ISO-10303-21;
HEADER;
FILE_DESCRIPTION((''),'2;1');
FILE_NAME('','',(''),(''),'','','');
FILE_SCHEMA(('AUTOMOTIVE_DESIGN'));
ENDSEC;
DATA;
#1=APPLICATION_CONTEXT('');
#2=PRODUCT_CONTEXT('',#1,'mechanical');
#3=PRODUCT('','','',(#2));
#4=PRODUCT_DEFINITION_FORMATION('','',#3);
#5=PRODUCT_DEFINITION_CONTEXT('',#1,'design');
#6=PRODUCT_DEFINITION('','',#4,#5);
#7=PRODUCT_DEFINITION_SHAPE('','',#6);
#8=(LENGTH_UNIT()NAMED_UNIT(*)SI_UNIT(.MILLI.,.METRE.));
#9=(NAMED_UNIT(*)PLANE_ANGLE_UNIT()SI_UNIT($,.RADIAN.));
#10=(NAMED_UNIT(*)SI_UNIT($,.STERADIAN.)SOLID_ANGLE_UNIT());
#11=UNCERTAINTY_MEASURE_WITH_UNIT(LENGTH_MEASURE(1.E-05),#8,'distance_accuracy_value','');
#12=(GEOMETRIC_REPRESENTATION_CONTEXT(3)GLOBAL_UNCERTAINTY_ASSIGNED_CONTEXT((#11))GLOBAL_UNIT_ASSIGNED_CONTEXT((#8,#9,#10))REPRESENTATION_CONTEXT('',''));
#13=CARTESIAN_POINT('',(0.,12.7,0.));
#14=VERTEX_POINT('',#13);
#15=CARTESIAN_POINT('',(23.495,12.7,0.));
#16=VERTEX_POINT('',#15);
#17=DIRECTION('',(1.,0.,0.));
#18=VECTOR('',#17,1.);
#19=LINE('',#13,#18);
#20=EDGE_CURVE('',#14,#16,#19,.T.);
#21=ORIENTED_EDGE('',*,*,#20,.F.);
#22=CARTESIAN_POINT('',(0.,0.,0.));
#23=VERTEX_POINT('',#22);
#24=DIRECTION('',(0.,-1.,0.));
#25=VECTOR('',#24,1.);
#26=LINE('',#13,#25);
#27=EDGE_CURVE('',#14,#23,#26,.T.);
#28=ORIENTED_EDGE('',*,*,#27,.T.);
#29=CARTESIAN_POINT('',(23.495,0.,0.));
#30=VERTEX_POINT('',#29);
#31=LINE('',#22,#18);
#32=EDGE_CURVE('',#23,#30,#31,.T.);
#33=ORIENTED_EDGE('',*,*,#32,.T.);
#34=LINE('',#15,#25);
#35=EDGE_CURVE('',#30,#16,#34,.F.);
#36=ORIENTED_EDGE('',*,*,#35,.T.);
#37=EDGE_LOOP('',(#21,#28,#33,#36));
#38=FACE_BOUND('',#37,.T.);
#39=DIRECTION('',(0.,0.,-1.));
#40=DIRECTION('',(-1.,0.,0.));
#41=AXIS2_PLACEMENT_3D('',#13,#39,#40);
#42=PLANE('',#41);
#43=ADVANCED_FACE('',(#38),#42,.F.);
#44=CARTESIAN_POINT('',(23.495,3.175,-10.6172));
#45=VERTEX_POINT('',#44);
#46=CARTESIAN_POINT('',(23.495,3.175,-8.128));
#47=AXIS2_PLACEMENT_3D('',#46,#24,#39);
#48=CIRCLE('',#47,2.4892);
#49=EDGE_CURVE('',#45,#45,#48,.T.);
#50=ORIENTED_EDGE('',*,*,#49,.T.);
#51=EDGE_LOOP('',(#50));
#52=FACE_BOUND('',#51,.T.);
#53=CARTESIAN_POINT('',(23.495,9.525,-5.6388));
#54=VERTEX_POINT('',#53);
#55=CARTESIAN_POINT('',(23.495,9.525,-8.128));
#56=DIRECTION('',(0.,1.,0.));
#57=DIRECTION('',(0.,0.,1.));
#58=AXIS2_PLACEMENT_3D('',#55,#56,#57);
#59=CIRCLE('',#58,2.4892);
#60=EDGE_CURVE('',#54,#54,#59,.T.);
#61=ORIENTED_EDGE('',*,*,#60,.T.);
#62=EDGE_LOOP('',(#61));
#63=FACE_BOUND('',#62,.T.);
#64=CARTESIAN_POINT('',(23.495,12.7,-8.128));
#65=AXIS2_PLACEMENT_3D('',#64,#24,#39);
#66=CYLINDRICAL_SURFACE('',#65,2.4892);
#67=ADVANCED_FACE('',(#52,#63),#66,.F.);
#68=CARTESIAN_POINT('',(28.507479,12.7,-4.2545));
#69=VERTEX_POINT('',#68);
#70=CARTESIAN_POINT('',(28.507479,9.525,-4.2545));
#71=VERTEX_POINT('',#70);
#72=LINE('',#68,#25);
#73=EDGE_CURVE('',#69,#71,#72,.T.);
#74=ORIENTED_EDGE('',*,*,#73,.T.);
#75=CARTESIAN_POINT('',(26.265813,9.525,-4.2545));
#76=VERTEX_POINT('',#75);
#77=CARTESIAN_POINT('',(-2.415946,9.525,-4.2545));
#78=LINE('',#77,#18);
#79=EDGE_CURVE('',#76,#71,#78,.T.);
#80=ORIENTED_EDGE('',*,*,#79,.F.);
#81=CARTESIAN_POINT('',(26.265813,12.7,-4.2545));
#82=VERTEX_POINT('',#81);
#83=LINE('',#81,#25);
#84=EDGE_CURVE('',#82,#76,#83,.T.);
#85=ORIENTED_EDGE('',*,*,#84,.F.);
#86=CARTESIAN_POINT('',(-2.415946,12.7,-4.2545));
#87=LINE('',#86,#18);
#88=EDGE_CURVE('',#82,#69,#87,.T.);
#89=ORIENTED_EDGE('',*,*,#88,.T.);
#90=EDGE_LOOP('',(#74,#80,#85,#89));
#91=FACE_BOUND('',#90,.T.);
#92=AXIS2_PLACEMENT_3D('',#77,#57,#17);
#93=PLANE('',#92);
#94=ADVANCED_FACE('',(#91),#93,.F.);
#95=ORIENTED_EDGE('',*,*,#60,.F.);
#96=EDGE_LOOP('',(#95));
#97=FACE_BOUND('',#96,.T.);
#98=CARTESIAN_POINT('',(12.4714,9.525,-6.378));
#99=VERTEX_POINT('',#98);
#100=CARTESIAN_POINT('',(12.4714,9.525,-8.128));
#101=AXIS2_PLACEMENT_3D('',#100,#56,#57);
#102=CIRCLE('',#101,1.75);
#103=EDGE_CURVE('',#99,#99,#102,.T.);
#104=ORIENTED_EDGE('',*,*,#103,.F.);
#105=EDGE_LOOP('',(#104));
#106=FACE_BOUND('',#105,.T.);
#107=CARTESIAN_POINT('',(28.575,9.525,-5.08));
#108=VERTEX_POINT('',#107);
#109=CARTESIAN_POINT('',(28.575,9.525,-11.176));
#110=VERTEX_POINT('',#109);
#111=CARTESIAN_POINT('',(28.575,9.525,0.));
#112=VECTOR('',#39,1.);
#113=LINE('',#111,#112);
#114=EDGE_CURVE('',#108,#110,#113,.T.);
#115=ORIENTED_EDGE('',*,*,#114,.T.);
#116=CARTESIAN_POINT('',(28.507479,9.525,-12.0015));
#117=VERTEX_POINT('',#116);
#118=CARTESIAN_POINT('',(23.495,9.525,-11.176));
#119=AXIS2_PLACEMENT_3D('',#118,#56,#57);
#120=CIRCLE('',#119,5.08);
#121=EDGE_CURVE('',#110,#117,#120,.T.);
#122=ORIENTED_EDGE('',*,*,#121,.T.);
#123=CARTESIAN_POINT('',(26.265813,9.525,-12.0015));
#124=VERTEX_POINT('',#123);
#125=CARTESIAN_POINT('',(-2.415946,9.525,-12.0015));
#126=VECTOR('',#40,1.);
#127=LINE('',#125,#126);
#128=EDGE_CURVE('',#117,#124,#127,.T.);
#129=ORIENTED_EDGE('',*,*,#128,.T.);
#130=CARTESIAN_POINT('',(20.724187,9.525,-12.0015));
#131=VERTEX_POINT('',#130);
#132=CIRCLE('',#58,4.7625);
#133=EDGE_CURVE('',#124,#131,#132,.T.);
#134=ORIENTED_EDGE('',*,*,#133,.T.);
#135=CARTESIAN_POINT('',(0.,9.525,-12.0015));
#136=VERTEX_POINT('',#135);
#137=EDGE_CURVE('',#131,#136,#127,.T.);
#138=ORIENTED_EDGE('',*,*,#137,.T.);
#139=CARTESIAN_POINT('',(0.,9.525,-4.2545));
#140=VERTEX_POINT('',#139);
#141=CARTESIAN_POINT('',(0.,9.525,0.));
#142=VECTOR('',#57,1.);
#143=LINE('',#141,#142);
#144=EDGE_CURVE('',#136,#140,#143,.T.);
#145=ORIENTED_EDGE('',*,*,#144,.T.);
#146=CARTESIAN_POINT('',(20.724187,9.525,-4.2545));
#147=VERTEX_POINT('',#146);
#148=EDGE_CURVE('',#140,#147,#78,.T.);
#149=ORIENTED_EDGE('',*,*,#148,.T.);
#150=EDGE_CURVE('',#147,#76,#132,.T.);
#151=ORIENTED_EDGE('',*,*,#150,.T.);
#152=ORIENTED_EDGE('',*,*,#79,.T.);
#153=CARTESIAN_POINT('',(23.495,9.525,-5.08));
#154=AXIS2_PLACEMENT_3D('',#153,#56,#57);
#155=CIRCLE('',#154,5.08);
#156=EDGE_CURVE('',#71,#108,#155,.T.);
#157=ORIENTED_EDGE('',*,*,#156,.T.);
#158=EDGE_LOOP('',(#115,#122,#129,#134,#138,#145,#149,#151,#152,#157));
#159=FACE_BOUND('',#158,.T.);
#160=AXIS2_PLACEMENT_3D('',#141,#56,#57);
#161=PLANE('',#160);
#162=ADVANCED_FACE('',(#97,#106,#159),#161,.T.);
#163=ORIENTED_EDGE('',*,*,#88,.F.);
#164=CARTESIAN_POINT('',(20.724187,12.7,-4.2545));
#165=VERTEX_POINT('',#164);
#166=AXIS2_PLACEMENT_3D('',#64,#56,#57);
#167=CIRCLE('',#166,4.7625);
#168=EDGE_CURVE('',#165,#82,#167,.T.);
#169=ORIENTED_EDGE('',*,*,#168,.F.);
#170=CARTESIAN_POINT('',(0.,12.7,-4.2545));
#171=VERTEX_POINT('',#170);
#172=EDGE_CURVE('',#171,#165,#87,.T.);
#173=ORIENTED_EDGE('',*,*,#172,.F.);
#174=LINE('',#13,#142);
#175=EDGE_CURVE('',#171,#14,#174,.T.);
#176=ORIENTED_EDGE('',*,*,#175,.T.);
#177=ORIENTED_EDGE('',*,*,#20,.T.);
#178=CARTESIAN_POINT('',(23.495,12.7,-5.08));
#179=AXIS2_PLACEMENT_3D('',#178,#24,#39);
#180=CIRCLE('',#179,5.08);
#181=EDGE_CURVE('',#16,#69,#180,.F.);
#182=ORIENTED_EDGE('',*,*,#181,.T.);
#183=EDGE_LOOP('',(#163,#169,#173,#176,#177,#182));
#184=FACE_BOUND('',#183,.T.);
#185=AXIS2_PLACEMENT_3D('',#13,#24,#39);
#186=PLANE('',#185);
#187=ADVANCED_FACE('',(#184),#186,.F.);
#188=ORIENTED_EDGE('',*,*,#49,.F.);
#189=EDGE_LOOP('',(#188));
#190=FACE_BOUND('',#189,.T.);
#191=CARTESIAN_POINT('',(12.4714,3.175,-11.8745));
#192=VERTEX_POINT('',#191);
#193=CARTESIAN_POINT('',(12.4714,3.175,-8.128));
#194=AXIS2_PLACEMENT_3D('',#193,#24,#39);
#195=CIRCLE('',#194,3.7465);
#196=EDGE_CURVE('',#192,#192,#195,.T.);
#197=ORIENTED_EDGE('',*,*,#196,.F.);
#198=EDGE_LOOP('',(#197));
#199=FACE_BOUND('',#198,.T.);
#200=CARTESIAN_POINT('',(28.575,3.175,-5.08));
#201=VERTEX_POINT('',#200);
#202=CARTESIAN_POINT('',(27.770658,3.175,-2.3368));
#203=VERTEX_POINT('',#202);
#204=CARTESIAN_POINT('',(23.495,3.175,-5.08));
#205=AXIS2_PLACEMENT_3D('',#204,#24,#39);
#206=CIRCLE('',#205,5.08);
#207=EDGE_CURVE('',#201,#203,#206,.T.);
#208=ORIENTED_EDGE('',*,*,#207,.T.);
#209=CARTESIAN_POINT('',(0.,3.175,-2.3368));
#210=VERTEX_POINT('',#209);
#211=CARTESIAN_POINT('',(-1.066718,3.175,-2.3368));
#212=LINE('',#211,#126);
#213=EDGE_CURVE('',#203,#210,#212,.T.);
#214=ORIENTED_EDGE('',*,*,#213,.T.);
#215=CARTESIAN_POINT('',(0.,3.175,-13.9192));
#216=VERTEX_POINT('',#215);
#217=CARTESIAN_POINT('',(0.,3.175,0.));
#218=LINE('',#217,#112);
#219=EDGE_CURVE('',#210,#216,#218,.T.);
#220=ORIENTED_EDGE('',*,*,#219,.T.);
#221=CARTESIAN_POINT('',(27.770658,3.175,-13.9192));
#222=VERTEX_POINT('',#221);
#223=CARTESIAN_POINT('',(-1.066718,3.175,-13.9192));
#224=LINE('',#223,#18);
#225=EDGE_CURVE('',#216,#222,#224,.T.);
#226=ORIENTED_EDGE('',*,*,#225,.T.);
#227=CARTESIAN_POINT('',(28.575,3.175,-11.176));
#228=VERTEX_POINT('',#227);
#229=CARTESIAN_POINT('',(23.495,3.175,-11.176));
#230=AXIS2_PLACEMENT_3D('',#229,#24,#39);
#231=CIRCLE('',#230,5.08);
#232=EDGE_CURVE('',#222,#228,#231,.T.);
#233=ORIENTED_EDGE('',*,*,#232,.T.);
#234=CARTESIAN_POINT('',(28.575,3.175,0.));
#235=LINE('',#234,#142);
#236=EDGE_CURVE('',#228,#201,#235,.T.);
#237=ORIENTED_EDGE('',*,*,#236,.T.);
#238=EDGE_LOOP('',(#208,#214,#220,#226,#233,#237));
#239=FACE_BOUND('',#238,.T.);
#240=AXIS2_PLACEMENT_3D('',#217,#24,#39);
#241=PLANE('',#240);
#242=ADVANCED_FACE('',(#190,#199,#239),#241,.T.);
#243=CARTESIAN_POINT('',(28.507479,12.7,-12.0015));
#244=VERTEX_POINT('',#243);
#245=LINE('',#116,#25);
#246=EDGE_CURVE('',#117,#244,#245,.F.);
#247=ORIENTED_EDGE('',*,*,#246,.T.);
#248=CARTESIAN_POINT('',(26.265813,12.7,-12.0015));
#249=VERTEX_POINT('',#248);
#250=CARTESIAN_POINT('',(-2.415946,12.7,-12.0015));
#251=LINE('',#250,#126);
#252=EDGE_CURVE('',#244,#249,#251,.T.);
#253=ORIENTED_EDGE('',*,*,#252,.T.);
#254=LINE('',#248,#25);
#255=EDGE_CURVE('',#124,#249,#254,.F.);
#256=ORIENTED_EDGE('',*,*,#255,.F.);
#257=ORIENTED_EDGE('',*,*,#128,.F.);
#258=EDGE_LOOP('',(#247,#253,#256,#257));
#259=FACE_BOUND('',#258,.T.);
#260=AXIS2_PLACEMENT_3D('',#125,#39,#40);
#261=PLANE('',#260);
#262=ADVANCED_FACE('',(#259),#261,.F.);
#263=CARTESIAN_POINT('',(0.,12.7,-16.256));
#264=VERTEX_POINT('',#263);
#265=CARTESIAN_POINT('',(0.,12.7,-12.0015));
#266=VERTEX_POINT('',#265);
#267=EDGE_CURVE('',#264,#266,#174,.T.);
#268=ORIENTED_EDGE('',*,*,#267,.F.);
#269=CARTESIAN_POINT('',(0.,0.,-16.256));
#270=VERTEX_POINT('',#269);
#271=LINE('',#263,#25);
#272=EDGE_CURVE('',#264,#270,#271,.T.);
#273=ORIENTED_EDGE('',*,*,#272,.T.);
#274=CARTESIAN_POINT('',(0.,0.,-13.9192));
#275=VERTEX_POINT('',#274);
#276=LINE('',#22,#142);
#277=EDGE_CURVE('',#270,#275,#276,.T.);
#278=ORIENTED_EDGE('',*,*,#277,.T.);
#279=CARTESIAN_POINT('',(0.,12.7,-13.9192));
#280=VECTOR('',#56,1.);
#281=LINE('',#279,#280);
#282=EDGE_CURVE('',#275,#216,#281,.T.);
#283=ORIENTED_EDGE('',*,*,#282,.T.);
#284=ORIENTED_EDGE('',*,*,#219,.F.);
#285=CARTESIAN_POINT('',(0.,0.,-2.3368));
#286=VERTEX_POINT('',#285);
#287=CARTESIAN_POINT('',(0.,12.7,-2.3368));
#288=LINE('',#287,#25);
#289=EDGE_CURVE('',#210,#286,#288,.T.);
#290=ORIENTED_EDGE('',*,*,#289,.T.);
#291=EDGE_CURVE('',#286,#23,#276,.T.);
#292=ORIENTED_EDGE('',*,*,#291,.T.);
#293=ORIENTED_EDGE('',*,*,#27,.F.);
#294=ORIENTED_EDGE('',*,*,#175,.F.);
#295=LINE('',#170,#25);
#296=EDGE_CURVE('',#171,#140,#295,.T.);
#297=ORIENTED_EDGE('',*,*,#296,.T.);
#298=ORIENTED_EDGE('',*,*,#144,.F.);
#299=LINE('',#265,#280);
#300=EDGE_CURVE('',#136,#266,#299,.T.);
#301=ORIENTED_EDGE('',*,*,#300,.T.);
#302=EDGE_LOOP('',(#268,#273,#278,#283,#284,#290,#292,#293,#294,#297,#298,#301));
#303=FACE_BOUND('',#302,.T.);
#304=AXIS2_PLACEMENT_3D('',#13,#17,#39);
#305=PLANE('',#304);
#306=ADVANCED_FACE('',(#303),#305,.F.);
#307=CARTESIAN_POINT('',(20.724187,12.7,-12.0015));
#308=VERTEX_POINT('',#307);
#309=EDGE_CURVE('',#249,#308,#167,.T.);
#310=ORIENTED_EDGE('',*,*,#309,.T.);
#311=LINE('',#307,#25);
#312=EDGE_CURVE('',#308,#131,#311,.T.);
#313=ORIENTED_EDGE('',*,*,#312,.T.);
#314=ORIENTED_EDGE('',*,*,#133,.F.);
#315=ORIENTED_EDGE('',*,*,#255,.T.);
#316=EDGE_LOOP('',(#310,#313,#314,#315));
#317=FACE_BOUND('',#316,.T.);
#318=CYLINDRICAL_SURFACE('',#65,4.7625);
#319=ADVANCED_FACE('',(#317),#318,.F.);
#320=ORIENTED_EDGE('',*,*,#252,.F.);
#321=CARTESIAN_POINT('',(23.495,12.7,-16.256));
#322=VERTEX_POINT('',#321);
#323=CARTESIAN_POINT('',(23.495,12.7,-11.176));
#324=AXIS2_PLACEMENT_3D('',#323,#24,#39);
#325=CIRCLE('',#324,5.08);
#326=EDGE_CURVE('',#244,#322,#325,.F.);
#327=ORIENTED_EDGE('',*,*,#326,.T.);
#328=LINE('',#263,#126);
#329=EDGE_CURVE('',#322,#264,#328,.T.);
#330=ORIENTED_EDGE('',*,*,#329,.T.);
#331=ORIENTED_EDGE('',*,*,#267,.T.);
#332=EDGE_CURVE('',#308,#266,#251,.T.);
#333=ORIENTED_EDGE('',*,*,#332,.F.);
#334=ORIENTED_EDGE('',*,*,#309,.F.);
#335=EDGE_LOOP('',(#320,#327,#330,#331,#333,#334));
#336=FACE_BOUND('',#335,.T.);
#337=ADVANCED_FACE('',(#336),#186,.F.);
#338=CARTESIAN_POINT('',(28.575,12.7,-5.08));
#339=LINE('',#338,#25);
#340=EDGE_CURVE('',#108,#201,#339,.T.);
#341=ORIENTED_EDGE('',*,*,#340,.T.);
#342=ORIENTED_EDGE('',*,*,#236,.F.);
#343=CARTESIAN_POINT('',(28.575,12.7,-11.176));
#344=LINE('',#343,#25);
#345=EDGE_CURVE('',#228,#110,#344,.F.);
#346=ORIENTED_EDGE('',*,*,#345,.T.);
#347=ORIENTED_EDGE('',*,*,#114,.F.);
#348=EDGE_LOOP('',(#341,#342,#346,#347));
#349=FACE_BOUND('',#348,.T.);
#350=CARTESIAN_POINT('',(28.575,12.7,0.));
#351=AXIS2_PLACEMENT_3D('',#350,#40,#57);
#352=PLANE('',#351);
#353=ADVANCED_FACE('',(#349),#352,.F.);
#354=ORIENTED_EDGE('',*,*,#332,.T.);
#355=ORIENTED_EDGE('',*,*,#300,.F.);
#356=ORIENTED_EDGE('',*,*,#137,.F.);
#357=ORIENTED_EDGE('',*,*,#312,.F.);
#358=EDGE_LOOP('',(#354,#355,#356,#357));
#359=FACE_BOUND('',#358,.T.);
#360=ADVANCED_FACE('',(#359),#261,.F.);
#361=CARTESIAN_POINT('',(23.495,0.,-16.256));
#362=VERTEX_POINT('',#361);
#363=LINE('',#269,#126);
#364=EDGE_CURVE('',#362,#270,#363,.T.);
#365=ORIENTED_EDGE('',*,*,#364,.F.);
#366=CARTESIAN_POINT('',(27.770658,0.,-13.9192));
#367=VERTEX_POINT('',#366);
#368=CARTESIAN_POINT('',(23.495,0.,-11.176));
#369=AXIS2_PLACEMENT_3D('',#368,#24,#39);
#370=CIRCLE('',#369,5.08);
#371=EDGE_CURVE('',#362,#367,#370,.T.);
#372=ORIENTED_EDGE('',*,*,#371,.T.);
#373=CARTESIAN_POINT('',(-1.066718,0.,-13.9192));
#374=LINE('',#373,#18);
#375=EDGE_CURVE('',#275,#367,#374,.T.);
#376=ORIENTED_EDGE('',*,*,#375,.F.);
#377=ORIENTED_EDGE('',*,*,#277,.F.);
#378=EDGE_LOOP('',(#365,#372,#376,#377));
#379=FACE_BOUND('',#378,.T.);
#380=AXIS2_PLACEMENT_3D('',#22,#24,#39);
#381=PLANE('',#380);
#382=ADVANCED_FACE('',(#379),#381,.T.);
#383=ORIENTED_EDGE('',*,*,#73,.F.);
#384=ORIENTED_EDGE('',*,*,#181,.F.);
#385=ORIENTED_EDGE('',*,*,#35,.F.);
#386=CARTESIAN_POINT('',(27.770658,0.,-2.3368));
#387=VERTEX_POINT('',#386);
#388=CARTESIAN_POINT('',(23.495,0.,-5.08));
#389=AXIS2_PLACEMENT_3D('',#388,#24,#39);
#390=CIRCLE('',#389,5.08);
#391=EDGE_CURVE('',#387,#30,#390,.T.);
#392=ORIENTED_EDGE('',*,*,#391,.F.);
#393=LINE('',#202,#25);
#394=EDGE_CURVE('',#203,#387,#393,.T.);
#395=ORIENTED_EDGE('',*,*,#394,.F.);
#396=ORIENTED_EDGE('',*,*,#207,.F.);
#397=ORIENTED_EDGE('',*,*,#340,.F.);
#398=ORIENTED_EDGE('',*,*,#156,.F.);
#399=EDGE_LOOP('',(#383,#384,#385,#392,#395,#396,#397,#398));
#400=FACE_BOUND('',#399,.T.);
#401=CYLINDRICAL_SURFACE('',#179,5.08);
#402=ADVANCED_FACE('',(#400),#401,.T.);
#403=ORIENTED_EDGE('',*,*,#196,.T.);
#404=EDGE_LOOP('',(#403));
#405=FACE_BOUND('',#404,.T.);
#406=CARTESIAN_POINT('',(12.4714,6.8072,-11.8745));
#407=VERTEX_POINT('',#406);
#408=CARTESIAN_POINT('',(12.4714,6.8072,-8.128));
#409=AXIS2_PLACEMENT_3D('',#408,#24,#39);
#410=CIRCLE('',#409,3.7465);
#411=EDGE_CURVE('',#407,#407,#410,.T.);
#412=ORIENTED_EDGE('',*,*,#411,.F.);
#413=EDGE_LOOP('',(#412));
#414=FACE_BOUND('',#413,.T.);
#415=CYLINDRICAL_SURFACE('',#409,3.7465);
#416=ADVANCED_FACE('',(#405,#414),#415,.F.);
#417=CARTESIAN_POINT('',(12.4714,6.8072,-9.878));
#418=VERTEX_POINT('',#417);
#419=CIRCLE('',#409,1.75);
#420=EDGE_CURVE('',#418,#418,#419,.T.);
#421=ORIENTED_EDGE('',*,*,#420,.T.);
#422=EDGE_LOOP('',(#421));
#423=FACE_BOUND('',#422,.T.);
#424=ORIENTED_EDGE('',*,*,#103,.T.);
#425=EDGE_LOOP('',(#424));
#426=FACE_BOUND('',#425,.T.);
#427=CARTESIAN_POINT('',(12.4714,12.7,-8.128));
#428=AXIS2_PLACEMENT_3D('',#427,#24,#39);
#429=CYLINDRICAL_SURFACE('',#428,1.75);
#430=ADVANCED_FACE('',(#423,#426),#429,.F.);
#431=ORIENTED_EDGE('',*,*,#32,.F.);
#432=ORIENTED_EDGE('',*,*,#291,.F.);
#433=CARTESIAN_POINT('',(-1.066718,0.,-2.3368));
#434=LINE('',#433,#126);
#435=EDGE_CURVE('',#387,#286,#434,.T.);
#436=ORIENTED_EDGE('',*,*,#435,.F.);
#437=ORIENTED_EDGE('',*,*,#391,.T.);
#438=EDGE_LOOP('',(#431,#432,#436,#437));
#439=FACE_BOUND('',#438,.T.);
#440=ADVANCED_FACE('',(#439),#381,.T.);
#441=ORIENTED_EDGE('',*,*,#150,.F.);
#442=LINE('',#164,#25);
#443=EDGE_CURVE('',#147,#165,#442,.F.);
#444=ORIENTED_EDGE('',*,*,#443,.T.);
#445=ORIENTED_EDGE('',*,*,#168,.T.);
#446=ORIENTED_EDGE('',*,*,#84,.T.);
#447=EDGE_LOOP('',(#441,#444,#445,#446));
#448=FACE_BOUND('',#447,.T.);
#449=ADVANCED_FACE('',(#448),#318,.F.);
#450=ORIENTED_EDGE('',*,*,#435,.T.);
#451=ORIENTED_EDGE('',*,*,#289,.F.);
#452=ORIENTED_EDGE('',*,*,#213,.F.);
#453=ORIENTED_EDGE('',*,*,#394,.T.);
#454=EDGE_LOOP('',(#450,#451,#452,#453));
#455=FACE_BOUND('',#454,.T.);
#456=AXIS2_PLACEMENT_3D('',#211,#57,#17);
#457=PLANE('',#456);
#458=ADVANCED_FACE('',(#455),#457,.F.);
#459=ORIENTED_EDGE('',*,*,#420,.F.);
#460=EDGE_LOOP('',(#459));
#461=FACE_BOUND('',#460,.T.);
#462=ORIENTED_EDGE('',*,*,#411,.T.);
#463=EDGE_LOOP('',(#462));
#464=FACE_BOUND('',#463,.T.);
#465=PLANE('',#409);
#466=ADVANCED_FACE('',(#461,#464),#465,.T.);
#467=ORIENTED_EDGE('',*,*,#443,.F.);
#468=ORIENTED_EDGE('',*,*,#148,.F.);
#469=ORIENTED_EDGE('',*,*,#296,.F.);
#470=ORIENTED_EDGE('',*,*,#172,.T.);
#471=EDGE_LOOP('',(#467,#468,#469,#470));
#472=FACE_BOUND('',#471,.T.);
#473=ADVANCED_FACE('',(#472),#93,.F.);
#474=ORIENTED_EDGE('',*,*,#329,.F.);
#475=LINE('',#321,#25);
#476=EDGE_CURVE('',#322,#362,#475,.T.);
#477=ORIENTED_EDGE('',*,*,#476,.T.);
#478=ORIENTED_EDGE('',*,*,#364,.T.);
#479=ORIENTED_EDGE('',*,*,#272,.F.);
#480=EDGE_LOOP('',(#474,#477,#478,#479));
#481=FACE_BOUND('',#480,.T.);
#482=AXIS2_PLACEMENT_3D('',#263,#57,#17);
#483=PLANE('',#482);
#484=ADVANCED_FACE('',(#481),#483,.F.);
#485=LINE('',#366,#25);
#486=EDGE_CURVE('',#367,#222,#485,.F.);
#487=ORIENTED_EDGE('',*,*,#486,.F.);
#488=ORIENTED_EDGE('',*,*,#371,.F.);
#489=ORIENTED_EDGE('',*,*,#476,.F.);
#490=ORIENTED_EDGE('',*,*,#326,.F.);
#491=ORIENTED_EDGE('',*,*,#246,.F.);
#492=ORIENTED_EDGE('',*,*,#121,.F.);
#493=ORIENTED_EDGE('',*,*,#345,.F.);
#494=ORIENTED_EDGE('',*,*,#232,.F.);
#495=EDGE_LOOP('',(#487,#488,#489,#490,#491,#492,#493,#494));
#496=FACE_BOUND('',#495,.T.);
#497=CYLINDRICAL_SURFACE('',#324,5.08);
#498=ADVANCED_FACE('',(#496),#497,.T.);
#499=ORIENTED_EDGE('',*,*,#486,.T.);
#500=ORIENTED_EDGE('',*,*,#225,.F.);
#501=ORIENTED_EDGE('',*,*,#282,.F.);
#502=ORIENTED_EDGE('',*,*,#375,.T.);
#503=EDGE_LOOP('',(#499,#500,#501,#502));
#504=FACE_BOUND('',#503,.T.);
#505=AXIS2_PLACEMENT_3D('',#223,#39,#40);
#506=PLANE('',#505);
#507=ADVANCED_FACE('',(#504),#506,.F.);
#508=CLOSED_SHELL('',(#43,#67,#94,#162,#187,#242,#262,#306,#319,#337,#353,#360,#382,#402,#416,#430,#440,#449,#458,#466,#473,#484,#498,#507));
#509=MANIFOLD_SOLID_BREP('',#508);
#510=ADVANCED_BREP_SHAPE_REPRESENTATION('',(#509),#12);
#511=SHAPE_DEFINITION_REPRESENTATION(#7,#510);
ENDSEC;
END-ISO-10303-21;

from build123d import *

# Parameters (mm, degrees)
SKETCH1_W           = 28.575
SKETCH1_H           = 16.256
SKETCH1_R           = 2.4892
SKETCH1_R_2         = 1.75
BOSS_EXTRUDE1_DEPTH = 12.7
SKETCH2_W           = 36.398054667
SKETCH2_H           = 7.747
CUT_EXTRUDE1_DEPTH  = 3.175
SKETCH3_W           = 33.032622038
SKETCH3_H           = 11.5824
CUT_EXTRUDE2_DEPTH  = 3.175
SKETCH4_R           = 3.7465
CUT_EXTRUDE3_DEPTH  = 3.6322
FILLET1_R           = 5.08
SKETCH5_R           = 4.7625
CUT_EXTRUDE4_DEPTH  = 35.227383569


with BuildPart() as part:
    # Sketch1 → Boss-Extrude1 (new body)
    with BuildSketch(Plane(origin=(0, 0, 0), x_dir=(1, 0, 0), z_dir=(0, 1, 0))):
        with Locations((14.2875, 8.128)):
            Rectangle(SKETCH1_W, SKETCH1_H)
        with Locations(Location((23.495, 8.128, 0), (0, 0, 270))):
            Circle(SKETCH1_R, mode=Mode.SUBTRACT)
        with Locations(Location((12.4714, 8.128, 0), (0, 0, 270))):
            Circle(SKETCH1_R_2, mode=Mode.SUBTRACT)
    extrude(amount=BOSS_EXTRUDE1_DEPTH)

    # Sketch2 → Cut-Extrude1 (cut)
    with BuildSketch(Plane(origin=(0, 12.7, 0), x_dir=(1, 0, 0), z_dir=(0, 1, 0))):
        with Locations((15.783080999, 8.128)):
            Rectangle(SKETCH2_W, SKETCH2_H)
    extrude(amount=-CUT_EXTRUDE1_DEPTH, mode=Mode.SUBTRACT)

    # Sketch3 → Cut-Extrude2 (cut)
    with BuildSketch(Plane.XZ):
        with Locations((15.449592918, -8.128)):
            Rectangle(SKETCH3_W, SKETCH3_H)
    extrude(amount=-CUT_EXTRUDE2_DEPTH, mode=Mode.SUBTRACT)

    # Sketch4 → Cut-Extrude3 (cut)
    with BuildSketch(Plane.XZ.offset(-3.175)):
        with Locations(Location((12.4714, -8.128, 0), (0, 0, 270))):
            Circle(SKETCH4_R)
    extrude(amount=-CUT_EXTRUDE3_DEPTH, mode=Mode.SUBTRACT)

    # Fillet1
    fillet1_edges = [part.edges().sort_by_distance(p)[0] for p in [
        (28.575, 6.35, -16.256),
        (28.575, 6.35, 0),
    ]]
    fillet(fillet1_edges, radius=FILLET1_R)

    # Sketch5 → Cut-Extrude4 (cut, through all)
    with BuildSketch(Plane(origin=(0, 9.525, 0), x_dir=(1, 0, 0), z_dir=(0, 1, 0))):
        with Locations((23.495, 8.128)):
            Circle(SKETCH5_R)
    extrude(amount=CUT_EXTRUDE4_DEPTH, mode=Mode.SUBTRACT)


solid = part.part
